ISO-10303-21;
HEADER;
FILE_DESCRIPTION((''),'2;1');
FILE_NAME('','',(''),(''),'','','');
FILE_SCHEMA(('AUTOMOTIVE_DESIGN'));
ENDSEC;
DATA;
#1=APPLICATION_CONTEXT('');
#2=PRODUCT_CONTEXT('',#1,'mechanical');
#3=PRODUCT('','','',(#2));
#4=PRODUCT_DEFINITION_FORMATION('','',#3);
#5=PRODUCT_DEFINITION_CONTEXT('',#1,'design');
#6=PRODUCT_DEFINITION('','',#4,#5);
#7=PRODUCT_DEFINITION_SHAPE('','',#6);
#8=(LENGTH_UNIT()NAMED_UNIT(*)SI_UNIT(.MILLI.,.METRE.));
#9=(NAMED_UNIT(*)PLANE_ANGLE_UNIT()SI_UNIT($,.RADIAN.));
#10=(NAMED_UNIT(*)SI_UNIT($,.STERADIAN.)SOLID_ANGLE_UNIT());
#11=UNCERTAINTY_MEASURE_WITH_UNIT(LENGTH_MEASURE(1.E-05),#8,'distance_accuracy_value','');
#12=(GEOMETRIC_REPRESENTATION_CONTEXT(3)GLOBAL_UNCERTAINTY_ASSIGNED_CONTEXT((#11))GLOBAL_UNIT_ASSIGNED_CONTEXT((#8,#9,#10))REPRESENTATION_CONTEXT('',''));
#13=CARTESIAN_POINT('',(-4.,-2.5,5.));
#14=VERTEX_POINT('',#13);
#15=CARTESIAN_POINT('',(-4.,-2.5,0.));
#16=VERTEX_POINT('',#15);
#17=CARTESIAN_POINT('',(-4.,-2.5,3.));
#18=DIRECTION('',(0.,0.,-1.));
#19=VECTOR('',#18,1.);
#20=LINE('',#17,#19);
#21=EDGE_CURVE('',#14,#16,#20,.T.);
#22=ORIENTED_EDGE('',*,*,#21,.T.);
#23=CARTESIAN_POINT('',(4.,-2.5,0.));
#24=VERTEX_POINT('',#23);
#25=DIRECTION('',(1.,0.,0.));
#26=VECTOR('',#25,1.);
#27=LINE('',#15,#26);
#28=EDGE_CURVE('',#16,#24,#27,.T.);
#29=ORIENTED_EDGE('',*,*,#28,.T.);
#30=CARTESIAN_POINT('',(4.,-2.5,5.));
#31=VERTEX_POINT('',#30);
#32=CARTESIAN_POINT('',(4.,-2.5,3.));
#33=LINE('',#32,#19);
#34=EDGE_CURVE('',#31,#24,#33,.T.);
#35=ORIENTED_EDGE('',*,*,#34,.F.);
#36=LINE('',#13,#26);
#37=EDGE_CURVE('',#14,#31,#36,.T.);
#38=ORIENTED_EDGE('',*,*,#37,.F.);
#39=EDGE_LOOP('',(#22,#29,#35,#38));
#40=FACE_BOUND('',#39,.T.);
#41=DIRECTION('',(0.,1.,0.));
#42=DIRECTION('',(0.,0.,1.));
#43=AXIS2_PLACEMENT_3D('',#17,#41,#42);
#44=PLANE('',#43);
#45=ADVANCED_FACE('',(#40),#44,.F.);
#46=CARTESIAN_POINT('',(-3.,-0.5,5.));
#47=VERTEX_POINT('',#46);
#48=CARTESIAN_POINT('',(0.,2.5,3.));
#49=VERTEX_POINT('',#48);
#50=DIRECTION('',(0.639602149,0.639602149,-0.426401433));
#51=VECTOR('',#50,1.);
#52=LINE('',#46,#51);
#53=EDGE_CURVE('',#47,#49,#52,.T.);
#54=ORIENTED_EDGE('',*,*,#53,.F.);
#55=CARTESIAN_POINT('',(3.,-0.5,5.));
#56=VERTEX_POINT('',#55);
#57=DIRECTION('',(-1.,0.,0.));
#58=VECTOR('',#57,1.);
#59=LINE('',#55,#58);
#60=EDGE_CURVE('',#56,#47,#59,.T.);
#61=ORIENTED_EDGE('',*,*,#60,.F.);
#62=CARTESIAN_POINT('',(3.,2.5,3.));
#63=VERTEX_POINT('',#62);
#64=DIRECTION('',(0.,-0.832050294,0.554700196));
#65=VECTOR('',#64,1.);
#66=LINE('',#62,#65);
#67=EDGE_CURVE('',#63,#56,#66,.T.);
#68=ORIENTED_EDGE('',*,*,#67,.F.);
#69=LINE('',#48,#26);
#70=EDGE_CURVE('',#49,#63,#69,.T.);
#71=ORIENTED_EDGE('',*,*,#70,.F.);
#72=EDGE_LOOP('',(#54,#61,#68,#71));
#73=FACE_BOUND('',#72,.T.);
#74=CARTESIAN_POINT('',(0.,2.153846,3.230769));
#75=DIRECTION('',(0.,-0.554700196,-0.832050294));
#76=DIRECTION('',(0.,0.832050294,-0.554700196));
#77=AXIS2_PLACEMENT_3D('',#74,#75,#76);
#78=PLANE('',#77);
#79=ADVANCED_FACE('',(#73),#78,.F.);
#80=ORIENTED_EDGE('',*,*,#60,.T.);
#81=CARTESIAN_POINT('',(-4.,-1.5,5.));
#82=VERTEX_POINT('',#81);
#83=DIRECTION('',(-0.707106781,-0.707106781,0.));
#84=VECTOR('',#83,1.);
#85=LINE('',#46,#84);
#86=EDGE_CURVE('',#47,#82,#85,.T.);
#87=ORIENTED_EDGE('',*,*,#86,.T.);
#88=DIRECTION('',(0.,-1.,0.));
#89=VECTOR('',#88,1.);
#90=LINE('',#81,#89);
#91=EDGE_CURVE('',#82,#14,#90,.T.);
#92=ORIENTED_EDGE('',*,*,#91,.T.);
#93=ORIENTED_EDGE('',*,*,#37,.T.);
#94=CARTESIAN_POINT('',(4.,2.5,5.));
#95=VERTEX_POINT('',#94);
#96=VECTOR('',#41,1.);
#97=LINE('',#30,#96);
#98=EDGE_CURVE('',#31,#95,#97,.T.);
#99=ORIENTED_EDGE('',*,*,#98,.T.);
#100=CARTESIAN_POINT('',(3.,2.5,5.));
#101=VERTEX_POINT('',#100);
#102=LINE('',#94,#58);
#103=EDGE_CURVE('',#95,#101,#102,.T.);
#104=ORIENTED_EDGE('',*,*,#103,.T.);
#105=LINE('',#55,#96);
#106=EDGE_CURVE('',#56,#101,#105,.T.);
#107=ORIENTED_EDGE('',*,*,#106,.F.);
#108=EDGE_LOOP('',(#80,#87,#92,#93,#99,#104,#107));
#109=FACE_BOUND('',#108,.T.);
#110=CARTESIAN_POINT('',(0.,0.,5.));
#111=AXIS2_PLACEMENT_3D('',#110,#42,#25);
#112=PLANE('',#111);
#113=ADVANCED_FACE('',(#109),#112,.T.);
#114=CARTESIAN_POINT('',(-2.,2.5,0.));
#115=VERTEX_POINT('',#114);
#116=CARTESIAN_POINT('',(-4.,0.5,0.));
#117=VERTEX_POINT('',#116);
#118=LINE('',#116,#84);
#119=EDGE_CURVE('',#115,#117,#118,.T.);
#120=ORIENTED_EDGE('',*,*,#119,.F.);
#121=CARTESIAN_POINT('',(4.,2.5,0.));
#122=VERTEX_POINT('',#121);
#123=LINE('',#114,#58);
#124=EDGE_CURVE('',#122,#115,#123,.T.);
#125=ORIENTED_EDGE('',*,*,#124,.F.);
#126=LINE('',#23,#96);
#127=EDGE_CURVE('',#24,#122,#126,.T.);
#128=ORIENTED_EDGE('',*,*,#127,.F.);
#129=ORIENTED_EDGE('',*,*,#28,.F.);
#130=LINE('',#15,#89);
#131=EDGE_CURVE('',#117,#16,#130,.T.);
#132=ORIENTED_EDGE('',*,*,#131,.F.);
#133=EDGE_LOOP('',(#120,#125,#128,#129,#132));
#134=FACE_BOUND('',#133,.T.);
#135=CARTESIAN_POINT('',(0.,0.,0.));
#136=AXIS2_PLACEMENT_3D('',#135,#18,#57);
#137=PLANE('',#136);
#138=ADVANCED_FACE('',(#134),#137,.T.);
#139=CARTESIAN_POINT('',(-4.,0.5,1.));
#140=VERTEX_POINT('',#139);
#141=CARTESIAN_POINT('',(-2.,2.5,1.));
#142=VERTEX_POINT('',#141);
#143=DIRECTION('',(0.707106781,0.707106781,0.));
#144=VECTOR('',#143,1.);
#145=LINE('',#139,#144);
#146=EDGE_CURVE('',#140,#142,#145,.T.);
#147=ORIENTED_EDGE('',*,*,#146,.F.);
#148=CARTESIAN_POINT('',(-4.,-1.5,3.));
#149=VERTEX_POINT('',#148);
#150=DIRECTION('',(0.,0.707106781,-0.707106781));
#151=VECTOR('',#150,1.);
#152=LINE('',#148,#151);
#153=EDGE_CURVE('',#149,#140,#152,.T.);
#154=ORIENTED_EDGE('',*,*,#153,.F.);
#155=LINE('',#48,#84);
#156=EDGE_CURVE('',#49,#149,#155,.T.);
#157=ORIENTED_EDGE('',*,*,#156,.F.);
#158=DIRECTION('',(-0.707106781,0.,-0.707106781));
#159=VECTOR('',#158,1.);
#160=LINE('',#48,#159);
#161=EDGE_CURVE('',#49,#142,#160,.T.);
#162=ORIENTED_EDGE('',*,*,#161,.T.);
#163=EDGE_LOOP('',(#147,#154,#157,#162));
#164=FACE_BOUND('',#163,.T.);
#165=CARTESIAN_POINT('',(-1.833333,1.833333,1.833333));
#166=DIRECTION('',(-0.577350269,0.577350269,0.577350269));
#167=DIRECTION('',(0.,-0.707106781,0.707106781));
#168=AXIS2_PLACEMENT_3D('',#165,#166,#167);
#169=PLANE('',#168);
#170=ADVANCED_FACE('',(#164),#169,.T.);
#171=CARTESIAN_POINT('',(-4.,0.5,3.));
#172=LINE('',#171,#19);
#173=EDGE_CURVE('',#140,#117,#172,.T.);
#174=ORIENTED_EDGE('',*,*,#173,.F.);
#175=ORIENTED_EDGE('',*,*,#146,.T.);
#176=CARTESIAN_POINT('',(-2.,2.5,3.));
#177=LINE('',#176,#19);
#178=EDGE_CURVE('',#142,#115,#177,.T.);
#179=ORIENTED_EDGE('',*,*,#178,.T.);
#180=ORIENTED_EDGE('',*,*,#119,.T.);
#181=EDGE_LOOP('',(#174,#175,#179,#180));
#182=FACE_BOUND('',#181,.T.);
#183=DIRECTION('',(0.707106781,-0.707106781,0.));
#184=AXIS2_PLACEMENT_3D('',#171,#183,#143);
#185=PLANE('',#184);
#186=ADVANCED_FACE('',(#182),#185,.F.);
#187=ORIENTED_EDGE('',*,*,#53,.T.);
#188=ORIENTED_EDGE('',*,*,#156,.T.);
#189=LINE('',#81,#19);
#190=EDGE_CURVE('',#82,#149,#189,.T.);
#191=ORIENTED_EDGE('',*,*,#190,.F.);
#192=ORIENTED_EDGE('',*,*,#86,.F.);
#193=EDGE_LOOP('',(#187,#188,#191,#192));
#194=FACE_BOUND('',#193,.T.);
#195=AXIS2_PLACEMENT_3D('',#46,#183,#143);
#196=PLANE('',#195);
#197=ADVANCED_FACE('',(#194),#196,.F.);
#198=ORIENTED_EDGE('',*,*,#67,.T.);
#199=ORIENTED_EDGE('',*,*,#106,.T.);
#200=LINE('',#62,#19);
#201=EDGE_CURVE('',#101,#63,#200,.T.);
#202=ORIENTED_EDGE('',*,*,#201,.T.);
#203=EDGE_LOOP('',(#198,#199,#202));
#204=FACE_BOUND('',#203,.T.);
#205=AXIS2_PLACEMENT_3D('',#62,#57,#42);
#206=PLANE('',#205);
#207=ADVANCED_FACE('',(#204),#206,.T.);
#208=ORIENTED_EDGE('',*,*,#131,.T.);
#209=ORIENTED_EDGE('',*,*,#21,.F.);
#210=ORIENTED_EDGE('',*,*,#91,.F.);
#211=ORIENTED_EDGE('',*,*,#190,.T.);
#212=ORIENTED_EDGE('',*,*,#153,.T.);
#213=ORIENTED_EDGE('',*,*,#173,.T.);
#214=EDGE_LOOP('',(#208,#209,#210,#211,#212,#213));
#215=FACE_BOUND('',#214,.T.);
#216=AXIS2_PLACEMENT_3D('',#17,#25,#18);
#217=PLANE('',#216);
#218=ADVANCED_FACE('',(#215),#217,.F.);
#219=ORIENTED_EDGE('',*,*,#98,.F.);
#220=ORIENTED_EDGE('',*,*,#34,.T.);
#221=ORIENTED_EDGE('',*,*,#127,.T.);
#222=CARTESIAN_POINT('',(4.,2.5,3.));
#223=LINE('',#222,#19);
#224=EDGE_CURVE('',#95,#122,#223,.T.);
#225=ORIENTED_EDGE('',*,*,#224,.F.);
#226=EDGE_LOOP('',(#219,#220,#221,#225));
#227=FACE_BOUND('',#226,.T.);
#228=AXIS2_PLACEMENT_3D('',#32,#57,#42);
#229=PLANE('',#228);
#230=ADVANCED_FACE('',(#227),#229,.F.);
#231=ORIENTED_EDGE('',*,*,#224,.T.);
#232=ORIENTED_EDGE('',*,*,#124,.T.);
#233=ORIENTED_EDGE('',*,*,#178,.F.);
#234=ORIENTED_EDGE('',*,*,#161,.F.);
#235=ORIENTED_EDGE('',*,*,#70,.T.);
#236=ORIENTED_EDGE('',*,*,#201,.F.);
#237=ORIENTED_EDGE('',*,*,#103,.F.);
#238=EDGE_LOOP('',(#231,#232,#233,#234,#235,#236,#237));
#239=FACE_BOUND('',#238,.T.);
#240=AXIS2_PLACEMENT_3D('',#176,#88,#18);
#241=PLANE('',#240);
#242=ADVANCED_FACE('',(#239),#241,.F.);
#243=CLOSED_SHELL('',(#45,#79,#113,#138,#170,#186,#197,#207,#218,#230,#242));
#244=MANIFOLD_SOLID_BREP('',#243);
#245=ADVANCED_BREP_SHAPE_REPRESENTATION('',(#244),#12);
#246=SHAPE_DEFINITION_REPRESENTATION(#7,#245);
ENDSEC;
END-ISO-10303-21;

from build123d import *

# Parameters (mm, degrees)
BOSS_EXTRUDE1_DEPTH = 3
CUT_EXTRUDE2_DEPTH  = 1
BOSS_EXTRUDE2_DEPTH = 2
BOSS_EXTRUDE3_DEPTH = 2
CUT_EXTRUDE3_DEPTH  = 3


with BuildPart() as part:
    # Sketch1 → Boss-Extrude1 (new body)
    with BuildSketch(Plane.XY):
        Polygon((-4, 0.5), (-2, 2.5), (4, 2.5), (4, -2.5), (-4, -2.5), align=None)
    extrude(amount=BOSS_EXTRUDE1_DEPTH)

    # 3DSketch1 → Cut-Extrude2 (cut, along a direction that is not the sketch's normal)
    with BuildSketch(Plane(origin=(-4, -1.5, 3), x_dir=(0.7071067811865476, 0.7071067811865476, 0), z_dir=(-0.5773502691896258, 0.5773502691896258, 0.5773502691896258))):
        Polygon((0, 0), (1.414213562, 2.449489743), (4.242640687, 2.449489743), (5.656854249, 0), align=None)
    extrude(amount=CUT_EXTRUDE2_DEPTH, dir=(-0.7071067811865476, 0.7071067811865476, 0), mode=Mode.SUBTRACT)


with BuildPart() as cut_extrude2_kept_piece:
    # of the separate pieces the step leaves, the one the design keeps (cut_extrude2_pieces_kept)
    add(part.part.solids().sort_by_distance((-4, 0.5, 0))[0])

    # Sketch2 → Boss-Extrude2 (add)
    with BuildSketch(Plane.XY.offset(3)):
        Polygon((4, 2.5), (3, 2.5), (3, -0.5), (-3, -0.5), (-4, -1.5), (-4, -2.5), (4, -2.5), align=None)
    extrude(amount=BOSS_EXTRUDE2_DEPTH)

    # Sketch3 → Boss-Extrude3 (add)
    with BuildSketch(Plane.XY.offset(3)):
        Polygon((-3, -0.5), (3, -0.5), (3, 2.5), (0, 2.5), align=None)
    extrude(amount=BOSS_EXTRUDE3_DEPTH)

    # 3DSketch3 → Cut-Extrude3 (cut, along a direction that is not the sketch's normal)
    with BuildSketch(Plane(origin=(-4, -0.5, 5), x_dir=(0.8890008890013336, 0.38100038100057165, -0.25400025400038106), z_dir=(0, -0.5547001962252291, -0.8320502943378437))):
        Polygon((0, 0), (5.207005207, -1.37371641), (7.874007874, 0), (6.223006223, 3.205338289), align=None)
    extrude(amount=-CUT_EXTRUDE3_DEPTH, dir=(0, -1, 0), mode=Mode.SUBTRACT)


solid = cut_extrude2_kept_piece.part
